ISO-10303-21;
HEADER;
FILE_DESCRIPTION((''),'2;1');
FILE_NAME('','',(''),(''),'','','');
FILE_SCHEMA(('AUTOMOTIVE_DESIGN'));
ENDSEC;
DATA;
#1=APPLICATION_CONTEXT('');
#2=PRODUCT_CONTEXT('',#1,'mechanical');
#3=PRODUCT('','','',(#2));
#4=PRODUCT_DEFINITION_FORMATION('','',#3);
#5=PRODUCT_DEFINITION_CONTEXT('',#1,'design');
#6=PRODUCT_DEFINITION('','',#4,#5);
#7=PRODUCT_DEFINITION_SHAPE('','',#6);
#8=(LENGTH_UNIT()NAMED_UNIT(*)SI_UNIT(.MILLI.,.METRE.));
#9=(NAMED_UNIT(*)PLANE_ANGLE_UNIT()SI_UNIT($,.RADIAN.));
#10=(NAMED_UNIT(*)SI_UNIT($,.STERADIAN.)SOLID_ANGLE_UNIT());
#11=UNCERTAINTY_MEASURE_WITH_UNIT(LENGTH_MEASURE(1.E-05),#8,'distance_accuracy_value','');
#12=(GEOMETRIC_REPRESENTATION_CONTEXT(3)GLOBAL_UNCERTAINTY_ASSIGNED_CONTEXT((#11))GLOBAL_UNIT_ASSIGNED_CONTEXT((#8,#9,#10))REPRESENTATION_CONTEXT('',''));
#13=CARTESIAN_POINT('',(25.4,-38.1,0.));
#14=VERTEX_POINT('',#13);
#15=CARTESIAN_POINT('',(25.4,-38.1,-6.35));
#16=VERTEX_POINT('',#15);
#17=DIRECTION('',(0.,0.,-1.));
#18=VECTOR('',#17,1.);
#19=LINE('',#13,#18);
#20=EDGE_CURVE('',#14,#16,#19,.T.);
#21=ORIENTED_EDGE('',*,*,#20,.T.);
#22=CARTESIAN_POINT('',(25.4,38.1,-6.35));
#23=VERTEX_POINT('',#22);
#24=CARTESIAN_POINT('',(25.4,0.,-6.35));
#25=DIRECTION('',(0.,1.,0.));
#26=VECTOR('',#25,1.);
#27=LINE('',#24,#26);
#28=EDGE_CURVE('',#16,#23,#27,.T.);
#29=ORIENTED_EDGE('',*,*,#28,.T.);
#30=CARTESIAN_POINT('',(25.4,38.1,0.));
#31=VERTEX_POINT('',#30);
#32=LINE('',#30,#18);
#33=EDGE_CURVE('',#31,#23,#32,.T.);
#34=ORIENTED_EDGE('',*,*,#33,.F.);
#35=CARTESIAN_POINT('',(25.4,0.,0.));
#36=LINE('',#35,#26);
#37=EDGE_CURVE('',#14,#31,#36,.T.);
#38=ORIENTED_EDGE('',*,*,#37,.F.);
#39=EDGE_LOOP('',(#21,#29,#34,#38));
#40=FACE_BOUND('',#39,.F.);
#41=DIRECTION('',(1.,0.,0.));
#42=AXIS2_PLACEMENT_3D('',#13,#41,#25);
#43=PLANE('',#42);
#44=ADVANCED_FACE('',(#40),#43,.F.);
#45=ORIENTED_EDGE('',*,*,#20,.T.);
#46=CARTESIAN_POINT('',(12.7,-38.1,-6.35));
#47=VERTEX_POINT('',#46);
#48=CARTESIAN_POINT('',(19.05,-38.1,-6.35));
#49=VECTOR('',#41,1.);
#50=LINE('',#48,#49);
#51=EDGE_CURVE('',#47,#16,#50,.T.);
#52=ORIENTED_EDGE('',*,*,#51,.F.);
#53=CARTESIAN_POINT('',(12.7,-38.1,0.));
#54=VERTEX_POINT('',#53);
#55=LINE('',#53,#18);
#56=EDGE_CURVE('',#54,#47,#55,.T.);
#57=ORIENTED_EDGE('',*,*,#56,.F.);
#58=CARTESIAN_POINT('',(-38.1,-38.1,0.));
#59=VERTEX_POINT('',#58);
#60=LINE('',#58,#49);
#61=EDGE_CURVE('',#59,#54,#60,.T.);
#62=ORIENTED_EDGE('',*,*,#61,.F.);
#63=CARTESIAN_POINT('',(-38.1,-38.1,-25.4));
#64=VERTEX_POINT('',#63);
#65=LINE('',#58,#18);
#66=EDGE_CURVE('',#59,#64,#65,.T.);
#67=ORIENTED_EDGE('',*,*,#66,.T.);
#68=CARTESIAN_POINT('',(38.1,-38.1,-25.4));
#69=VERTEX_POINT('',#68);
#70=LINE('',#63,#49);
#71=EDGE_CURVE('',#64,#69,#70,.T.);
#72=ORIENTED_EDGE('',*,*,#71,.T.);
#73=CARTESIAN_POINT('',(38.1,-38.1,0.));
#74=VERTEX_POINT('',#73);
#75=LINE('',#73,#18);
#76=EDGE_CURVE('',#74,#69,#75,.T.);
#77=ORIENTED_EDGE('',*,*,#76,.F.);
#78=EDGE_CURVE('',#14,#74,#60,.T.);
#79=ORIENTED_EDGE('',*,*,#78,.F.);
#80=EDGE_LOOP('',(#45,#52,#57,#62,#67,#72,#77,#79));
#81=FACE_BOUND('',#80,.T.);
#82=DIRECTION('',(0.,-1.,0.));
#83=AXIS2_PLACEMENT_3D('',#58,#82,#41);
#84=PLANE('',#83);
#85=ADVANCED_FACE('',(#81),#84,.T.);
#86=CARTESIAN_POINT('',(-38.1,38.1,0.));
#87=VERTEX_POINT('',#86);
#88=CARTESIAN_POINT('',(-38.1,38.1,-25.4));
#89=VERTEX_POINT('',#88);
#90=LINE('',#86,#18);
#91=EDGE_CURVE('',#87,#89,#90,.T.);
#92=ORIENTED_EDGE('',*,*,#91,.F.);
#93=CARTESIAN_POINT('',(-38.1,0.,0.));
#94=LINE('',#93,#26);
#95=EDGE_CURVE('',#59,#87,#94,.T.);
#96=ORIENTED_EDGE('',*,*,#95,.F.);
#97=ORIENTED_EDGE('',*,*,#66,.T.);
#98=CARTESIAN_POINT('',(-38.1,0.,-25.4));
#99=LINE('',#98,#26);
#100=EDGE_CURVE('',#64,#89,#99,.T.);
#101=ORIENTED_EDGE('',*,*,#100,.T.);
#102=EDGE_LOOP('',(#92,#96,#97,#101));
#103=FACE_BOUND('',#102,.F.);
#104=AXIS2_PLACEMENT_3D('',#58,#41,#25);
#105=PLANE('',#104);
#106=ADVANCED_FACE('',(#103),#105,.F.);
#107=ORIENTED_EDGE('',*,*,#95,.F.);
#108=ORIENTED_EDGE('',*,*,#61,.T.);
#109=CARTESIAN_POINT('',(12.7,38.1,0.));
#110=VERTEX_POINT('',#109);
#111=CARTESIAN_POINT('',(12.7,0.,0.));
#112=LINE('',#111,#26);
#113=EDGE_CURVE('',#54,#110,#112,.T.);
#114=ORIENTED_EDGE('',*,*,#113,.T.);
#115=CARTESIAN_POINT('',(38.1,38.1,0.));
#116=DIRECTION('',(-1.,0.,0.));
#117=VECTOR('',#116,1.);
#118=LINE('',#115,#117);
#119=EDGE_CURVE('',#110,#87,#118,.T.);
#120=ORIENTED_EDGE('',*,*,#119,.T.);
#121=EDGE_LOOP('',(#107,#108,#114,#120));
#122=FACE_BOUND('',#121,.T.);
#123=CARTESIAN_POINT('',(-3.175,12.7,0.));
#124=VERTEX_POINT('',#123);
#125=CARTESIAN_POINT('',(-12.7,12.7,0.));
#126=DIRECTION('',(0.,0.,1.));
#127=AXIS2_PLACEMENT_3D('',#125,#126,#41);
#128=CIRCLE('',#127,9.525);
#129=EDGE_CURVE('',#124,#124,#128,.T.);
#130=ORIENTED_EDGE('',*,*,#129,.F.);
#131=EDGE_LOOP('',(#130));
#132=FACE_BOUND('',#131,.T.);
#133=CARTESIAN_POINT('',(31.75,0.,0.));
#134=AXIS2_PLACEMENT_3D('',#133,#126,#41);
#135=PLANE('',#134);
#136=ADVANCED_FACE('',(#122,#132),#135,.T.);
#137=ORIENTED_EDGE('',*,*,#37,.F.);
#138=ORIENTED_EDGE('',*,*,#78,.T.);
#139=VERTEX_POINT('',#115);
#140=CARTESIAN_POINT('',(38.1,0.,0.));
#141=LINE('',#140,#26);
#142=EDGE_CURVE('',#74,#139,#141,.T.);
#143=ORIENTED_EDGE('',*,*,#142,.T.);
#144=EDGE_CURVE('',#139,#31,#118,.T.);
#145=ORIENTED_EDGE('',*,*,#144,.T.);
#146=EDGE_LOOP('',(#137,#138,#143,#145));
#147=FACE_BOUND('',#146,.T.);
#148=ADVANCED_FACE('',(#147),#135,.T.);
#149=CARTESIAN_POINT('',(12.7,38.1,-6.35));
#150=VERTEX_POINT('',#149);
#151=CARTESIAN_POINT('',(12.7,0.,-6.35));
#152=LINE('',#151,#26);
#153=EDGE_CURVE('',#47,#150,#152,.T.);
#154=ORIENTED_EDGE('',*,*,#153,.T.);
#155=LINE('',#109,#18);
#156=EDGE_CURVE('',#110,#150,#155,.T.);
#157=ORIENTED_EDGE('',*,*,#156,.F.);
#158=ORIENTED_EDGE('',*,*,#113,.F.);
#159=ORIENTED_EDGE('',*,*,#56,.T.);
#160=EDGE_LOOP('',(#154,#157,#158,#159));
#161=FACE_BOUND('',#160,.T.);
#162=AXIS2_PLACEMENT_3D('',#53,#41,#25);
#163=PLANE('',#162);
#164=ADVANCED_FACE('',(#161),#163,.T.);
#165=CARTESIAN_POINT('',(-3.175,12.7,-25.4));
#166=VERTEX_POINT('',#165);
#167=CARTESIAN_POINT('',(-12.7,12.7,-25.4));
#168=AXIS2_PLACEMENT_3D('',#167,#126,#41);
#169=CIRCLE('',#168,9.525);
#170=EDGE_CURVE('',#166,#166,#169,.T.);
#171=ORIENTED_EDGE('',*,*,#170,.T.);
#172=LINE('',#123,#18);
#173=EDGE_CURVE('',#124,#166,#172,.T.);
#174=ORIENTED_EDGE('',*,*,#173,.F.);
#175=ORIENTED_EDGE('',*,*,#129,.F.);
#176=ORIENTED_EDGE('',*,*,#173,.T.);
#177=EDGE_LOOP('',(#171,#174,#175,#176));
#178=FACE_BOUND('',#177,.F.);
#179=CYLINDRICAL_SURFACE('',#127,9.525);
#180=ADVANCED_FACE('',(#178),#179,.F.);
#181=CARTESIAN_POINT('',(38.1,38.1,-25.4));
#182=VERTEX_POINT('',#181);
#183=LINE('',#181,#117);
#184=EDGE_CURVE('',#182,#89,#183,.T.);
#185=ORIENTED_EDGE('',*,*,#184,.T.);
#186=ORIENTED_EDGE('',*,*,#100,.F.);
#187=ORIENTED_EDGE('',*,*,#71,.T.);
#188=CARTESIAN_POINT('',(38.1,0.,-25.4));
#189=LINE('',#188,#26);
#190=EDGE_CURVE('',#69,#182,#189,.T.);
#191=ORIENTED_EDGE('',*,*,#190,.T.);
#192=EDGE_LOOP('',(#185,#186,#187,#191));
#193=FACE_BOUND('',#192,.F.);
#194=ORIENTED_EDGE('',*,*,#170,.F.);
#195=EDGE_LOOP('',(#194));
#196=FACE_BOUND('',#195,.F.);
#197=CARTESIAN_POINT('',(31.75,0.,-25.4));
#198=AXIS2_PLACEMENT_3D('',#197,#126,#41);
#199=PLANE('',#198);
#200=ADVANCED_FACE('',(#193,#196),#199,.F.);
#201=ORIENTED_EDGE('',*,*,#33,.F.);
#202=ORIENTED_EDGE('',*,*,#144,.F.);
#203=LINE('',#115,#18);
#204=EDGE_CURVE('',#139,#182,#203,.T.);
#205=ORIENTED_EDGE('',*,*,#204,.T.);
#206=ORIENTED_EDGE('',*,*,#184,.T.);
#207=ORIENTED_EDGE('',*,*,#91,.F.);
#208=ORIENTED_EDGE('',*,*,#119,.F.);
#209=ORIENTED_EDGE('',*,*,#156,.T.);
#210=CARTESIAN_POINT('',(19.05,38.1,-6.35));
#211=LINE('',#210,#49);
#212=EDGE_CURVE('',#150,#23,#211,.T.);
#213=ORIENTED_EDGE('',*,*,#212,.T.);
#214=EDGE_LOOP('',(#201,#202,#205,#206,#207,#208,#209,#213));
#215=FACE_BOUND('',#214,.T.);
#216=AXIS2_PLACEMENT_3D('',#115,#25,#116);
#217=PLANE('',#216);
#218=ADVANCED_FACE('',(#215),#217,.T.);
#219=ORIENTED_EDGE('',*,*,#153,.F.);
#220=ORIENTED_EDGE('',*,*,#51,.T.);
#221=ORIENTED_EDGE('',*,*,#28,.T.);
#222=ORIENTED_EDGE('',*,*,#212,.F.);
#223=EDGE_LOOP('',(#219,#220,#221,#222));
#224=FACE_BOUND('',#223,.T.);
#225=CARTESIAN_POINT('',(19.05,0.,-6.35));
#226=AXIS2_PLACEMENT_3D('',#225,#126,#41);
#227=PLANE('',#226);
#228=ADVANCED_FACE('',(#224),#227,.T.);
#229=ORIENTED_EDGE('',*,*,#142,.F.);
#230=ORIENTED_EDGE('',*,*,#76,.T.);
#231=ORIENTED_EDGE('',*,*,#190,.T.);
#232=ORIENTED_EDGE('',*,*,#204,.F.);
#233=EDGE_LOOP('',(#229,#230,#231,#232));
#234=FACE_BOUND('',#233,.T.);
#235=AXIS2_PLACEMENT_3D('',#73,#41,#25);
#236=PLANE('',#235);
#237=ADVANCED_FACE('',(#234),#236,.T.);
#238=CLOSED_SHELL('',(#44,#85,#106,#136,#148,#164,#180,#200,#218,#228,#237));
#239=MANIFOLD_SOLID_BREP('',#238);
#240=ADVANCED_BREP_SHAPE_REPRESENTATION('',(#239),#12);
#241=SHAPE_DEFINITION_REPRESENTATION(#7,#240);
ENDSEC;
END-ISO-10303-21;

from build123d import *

# Parameters (mm, degrees)
F0_W     = 12.7
F0_H     = 76.2
F0_W_2   = 50.8
F0_R     = 9.525
F1_DEPTH = 25.4
F2_DEPTH = 6.35


with BuildPart() as f1:
    # F0 (on Top) → F1 (new body)
    with BuildSketch(Plane.XY):
        with Locations((31.75, 0)):
            Rectangle(F0_W, F0_H)
        with Locations((-12.7, 0)):
            Rectangle(F0_W_2, F0_H)
        with Locations((-12.7, 12.7)):
            Circle(F0_R, mode=Mode.SUBTRACT)
        with Locations((19.05, 0)):
            Rectangle(F0_W, F0_H)
    extrude(amount=-F1_DEPTH)

    # F0 (on Top) → F2 (cut)
    with BuildSketch(Plane.XY):
        with Locations((19.05, 0)):
            Rectangle(F0_W, F0_H)
    extrude(amount=-F2_DEPTH, mode=Mode.SUBTRACT)


solid = f1.part
